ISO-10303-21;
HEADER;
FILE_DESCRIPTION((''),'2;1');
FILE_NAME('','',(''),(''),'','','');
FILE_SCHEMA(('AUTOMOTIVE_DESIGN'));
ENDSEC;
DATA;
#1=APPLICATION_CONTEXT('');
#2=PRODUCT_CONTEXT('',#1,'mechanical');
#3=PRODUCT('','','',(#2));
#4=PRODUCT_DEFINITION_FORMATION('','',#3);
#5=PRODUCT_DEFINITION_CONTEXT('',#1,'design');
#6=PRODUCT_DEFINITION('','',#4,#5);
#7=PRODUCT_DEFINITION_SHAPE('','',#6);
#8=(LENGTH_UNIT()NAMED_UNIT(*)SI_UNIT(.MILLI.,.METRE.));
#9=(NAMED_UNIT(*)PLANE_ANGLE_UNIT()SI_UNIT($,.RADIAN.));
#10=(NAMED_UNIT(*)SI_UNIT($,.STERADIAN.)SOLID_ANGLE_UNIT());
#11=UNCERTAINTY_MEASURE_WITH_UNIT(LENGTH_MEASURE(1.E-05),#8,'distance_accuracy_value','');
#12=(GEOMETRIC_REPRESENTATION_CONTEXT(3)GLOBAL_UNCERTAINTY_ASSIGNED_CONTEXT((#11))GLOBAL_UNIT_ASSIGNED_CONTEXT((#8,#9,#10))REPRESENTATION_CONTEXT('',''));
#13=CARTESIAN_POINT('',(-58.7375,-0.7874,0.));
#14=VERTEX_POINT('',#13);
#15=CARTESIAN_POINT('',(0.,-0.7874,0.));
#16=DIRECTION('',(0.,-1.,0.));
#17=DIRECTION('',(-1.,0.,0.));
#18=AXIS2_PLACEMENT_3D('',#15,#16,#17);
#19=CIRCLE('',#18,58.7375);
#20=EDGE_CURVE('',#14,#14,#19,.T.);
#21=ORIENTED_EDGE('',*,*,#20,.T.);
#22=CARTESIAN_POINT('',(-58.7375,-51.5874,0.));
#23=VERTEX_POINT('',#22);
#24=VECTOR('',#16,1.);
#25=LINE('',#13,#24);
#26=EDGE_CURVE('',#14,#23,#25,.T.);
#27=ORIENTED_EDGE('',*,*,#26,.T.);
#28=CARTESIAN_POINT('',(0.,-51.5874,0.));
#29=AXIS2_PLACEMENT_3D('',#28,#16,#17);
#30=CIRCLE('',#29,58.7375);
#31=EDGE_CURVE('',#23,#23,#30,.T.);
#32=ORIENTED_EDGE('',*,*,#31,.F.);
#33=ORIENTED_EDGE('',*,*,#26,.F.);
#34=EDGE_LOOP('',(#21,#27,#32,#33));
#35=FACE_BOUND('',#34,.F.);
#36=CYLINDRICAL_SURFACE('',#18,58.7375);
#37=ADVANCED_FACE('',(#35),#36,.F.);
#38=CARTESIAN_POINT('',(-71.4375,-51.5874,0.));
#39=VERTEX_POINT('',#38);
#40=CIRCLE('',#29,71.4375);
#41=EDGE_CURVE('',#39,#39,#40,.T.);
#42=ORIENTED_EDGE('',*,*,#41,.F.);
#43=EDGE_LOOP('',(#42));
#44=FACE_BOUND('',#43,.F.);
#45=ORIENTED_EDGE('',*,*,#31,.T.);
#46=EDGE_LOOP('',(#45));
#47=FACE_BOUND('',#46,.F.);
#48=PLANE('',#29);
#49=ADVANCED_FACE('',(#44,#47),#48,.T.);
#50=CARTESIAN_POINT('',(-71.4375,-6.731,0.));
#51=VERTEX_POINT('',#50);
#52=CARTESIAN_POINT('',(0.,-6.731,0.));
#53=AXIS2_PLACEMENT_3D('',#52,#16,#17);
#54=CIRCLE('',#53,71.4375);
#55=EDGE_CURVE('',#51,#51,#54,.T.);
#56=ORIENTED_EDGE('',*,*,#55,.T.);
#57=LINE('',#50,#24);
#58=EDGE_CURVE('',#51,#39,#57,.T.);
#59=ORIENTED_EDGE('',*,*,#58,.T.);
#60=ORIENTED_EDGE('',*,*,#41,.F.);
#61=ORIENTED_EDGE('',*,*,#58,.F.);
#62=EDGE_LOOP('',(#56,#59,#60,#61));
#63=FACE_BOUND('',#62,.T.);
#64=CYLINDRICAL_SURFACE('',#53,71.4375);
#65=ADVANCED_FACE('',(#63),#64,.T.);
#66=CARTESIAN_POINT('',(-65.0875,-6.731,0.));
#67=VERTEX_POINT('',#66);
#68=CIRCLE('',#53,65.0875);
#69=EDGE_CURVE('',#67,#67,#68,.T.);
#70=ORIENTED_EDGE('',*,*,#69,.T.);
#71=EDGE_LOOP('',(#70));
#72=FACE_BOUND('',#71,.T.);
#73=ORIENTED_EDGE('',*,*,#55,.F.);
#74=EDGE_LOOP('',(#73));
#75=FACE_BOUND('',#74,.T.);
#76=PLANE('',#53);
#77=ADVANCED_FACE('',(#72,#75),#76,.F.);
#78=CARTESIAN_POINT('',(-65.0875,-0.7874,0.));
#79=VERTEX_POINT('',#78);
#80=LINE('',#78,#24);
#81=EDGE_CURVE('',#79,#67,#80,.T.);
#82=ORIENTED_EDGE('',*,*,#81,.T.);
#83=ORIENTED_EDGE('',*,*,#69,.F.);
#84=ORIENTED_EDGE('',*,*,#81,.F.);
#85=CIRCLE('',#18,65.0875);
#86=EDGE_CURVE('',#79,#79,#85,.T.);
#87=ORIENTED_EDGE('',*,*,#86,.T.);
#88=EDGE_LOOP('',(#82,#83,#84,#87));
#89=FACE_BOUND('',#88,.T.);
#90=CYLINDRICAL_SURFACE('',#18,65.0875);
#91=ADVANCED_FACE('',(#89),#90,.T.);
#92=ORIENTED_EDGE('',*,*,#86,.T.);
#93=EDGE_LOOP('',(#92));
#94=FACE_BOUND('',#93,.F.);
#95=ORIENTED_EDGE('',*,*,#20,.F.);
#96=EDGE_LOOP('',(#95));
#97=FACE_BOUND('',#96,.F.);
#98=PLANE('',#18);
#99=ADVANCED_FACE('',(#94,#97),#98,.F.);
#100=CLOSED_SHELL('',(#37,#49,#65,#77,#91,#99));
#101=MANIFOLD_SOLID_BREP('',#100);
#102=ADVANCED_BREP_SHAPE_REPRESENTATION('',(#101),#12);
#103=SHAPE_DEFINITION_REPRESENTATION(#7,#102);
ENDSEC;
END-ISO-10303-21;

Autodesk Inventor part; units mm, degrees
ref_plane "YZ Plane" through (0, 0, 0) normal (1, 0, 0) x (0, 1, 0)
ref_plane "XZ Plane" through (0, 0, 0) normal (0, 1, 0) x (-1, 0, 0)
ref_plane "XY Plane" through (0, 0, 0) normal (0, 0, 1) x (1, 0, 0)
sketch "Sketch1" plane through (0, 0, 0) normal (0, 0, 1) x (1, 0, 0)
  arc A0 (-19.4827, -3.287) -> (-19.05, 0) centre (-31.75, 0) ccw
  line L0 (-19.4827, -3.287) -> (-58.7375, -149.7878)
  line L1 (-65.8876, 46.8376) -> (-65.8876, 21.4376)
  line L2 (-65.8876, 21.4376) -> (-71.4375, 21.4376)
  arc A1 (-19.05, 0) -> (-65.8876, 46.8376) centre (-65.8876, 0) ccw
  line L3 (-44.45, 34.1376) -> (-33.8192, 34.1376)
  line L4 (-44.45, 34.1376) -> (-37.3992, -46.4536)
  line L5 (-44.45, 34.1376) -> (0, 34.1376) construction
  line L6 (-37.3992, -46.4536) -> (-31.0492, -46.4536)
  line L7 (-71.4375, 21.4376) -> (-71.4375, 8.7376)
  line L8 (-71.4375, 8.7376) -> (-58.7375, 8.7376)
  line L9 (-58.7375, 8.7376) -> (-52.3875, 8.7376)
  line L10 (-52.3875, 8.7376) -> (-52.3875, -102.3907)
  line L11 (-71.4375, 8.7376) -> (-71.4375, -0.7874)
  line L12 (-71.4375, 8.7376) -> (-61.9125, 8.7376) construction
  line L13 (-71.4375, -0.7874) -> (-58.7375, -0.7874)
  line L14 (-58.7375, -0.7874) -> (-58.7375, -51.5874)
  line L15 (-58.7375, -51.5874) -> (-71.4375, -51.5874)
  line L16 (-71.4375, -0.7874) -> (-65.0875, -0.7874)
  line L17 (-65.0875, -0.7874) -> (-65.0875, -6.731)
  line L18 (-65.0875, -6.731) -> (-71.4375, -6.731)
  line L19 (-71.4375, 21.4376) -> (-71.4375, -0.7874)
  line L20 (-71.4375, -6.731) -> (-71.4375, -51.5874)
  line L21 (-58.7375, -51.5874) -> (-58.7375, -126.0892)
  line L22 (-58.7375, -51.5874) -> (0, -51.5874) construction
  line L23 (-46.0375, -102.3907) -> (-52.3875, -102.3907)
  line L24 (-65.0875, -51.5907) -> (-58.7375, -51.5907)
  line L25 (-58.7375, -149.7878) -> (-61.9125, -161.637)
  line L26 (-58.7375, -149.7878) -> (-34.203, -149.7878) construction
  line L27 (-65.0875, -161.637) -> (-61.9125, -161.637)
  line L28 (-58.7375, -126.0892) -> (-52.3875, -126.0892)
  line L29 (0, 34.1376) -> (0, 0)
  line L30 (-65.0875, -100.6892) -> (-65.0875, -161.637)
  line L31 (-58.7375, -51.5907) -> (-61.9125, -51.5907)
  line L32 (-61.9125, -51.5907) -> (-65.0875, -100.6892)
  dimension "d0" = 19.05
  dimension "d1" = 25.4
  dimension "d2" = 5.5499
  dimension "d3" = 65.8876
  dimension "d4" = 85
  dimension "d5" = 12.7
  dimension "d6" = 46.8376
  dimension "d7" = 12.7
  dimension "d8" = 44.45
  dimension "d9" = 6.35
  dimension "d10" = 105
  dimension "d11" = 12.7
  dimension "d12" = 12.7
  dimension "d13" = 6.35
  dimension "d14" = 9.525
  dimension "d15" = 50.8
  dimension "d16" = 12.7
  dimension "d17" = 6.35
  dimension "d18" = 5.9436
  dimension "d19" = 6.35
  dimension "d20" = 50.8
  dimension "d21" = 6.35
  dimension "d22" = 105
  dimension "d23" = 3.175
  dimension "d24" = 6.35
  dimension "d25" = 60.9478
  dimension "d26" = 3.175
  dimension "d27" = 6.35
revolve "Revolution1" add sketch "Sketch1" angle 360 about axis through (0, 34.1376, 0) along (0, -1, 0) contours L15 L20 L18 L17 L13 L14
properties part number "Aluminum Retainer" material "Aluminum 6061"
